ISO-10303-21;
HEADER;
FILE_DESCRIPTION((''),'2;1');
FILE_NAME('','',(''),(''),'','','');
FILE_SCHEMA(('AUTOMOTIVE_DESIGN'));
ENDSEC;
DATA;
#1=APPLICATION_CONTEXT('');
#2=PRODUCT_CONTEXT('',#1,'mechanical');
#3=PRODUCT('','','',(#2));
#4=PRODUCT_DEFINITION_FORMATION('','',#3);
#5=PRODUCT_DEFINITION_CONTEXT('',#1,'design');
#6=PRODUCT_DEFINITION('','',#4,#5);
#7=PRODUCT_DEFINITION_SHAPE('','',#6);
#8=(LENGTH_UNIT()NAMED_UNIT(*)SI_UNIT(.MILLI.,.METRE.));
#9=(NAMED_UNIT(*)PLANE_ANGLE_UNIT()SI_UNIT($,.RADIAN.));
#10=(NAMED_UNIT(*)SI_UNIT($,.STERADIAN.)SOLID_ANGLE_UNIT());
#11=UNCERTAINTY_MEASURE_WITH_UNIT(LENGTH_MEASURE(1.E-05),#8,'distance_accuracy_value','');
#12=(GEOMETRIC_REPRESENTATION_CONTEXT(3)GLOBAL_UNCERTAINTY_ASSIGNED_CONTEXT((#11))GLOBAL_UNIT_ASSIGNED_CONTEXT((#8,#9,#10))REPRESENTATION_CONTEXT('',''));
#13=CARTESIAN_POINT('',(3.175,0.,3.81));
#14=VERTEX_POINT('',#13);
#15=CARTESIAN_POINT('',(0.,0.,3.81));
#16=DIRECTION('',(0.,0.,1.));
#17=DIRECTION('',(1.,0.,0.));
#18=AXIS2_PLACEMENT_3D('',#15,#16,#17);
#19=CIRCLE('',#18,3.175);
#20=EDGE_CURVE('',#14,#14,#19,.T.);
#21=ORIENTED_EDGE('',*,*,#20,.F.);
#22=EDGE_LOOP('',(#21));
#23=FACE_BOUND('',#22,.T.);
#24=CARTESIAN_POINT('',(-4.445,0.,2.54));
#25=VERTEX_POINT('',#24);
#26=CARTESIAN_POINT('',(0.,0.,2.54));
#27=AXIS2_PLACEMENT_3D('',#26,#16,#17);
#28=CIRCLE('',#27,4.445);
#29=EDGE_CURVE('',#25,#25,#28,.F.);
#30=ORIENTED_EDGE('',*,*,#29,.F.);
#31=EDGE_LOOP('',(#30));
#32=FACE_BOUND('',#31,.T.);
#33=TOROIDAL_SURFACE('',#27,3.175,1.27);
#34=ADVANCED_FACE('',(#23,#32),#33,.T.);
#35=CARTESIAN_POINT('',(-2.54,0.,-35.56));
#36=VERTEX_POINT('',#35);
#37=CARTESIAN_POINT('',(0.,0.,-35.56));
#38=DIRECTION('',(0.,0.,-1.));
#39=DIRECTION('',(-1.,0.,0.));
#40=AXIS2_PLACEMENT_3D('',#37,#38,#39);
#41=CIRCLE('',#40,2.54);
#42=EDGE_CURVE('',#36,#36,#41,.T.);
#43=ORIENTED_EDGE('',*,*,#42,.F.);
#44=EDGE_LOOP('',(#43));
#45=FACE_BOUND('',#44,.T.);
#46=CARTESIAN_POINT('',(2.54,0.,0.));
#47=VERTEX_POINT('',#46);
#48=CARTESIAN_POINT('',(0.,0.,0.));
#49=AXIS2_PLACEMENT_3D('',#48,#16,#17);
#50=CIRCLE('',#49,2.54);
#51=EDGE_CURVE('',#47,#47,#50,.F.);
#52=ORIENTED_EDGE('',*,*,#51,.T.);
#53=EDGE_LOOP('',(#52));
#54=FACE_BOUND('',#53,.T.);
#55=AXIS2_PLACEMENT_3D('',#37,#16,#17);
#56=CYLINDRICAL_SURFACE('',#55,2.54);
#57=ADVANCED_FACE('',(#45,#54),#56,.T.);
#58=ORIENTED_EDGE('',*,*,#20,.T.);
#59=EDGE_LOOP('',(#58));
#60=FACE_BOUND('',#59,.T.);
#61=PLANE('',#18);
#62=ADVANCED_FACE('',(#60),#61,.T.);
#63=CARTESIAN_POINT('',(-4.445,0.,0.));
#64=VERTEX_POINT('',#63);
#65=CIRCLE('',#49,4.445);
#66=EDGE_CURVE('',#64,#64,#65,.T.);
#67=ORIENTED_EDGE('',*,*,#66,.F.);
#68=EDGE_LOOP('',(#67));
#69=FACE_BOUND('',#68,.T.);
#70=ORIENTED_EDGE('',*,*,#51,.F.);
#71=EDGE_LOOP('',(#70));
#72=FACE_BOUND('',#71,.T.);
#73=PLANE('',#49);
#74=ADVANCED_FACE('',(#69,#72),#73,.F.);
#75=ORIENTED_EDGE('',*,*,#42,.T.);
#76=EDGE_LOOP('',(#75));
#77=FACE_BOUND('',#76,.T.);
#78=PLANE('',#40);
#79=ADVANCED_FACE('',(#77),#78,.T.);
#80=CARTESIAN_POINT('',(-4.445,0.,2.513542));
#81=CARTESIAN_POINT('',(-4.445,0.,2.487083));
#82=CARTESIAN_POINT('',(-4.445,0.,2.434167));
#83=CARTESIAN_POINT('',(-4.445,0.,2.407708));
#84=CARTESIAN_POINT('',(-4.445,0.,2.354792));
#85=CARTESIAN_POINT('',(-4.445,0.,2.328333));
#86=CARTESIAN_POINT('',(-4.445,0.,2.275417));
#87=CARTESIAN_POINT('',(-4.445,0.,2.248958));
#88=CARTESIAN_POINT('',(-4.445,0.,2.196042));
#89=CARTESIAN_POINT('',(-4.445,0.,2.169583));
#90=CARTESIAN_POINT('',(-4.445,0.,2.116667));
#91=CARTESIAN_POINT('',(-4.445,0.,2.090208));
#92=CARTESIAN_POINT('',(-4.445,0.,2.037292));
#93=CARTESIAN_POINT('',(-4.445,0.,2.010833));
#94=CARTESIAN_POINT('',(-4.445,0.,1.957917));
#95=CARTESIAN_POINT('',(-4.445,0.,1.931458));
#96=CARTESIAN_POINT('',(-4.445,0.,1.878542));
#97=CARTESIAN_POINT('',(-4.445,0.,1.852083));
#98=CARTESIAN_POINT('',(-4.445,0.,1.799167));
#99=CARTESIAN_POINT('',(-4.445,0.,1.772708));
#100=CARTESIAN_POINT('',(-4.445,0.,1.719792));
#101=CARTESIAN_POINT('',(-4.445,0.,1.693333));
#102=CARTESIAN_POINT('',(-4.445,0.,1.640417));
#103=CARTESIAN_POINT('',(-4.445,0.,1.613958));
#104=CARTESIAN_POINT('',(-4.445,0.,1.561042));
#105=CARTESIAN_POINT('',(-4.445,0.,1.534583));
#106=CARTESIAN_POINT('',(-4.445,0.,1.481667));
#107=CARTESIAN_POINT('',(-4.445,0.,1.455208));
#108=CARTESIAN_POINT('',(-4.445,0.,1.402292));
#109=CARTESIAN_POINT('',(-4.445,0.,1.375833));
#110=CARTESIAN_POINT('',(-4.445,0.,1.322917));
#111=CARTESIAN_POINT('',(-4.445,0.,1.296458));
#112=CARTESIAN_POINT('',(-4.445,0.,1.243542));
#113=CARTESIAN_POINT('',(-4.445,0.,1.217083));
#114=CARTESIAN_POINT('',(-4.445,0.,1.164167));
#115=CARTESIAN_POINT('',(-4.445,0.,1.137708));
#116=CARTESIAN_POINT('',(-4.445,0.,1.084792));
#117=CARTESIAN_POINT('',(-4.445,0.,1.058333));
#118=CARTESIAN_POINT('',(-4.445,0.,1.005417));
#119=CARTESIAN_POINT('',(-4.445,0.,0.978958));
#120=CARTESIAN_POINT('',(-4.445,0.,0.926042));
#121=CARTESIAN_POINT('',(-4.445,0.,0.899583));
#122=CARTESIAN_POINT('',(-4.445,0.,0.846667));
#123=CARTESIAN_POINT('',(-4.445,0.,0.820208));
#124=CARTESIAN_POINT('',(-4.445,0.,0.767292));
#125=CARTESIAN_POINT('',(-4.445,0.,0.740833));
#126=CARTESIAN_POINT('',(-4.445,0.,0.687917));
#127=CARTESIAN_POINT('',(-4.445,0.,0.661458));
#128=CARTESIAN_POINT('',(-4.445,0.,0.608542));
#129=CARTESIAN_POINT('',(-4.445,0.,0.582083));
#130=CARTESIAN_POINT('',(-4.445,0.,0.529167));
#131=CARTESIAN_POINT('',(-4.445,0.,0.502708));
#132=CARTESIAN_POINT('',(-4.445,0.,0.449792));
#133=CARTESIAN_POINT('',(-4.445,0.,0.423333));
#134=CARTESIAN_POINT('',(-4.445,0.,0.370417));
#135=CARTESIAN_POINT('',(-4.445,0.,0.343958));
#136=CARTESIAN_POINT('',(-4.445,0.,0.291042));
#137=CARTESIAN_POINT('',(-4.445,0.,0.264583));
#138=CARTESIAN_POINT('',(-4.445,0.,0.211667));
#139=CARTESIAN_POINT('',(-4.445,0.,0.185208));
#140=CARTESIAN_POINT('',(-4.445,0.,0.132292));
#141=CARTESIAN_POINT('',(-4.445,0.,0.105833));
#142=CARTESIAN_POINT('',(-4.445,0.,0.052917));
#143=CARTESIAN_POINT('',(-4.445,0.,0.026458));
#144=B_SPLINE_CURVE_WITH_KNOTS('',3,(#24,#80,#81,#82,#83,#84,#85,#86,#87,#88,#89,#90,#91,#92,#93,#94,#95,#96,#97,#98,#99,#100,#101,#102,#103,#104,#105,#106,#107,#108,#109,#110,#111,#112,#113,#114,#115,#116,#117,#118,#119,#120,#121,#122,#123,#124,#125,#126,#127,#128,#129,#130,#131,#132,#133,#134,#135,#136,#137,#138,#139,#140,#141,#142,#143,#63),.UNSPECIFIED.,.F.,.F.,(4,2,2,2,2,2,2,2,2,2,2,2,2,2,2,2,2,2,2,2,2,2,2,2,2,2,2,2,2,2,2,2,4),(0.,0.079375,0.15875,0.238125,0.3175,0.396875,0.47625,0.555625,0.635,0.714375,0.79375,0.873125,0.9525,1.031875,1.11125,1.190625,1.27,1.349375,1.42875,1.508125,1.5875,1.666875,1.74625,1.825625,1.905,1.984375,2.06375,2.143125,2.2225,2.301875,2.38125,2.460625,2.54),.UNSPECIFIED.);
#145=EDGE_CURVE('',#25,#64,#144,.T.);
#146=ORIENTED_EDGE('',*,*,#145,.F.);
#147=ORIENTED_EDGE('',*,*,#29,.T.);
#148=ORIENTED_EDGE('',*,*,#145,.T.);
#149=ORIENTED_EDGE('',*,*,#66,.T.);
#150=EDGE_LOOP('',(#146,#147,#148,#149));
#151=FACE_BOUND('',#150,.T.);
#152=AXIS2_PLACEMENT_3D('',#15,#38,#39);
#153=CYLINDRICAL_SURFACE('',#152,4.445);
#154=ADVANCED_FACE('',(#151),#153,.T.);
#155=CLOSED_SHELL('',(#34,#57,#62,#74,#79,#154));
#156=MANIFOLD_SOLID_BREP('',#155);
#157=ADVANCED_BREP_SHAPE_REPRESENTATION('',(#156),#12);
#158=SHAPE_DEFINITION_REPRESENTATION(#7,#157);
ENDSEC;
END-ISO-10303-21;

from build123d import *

# Parameters (mm, degrees)
SKETCH1_R           = 4.445
BOSS_EXTRUDE1_DEPTH = 3.81
FILLET2_R           = 1.27
SKETCH2_R           = 2.54
BOSS_EXTRUDE2_DEPTH = 35.56


with BuildPart() as part:
    # Sketch1 → Boss-Extrude1 (new body)
    with BuildSketch(Plane.XY):
        with Locations(Location((0, 0, 0), (0, 0, 180))):
            Circle(SKETCH1_R)
    extrude(amount=BOSS_EXTRUDE1_DEPTH)

    # Fillet2
    fillet2_edges = [part.edges().sort_by_distance(p)[0] for p in [
        (4.445, 0, 3.81),
    ]]
    fillet(fillet2_edges, radius=FILLET2_R)

    # Sketch2 → Boss-Extrude2 (add)
    with BuildSketch(Plane(origin=(0, 0, 0), x_dir=(-1, 0, 0), z_dir=(0, 0, -1))):
        with Locations(Location((0, 0, 0), (0, 0, 180))):
            Circle(SKETCH2_R)
    extrude(amount=BOSS_EXTRUDE2_DEPTH)


solid = part.part
